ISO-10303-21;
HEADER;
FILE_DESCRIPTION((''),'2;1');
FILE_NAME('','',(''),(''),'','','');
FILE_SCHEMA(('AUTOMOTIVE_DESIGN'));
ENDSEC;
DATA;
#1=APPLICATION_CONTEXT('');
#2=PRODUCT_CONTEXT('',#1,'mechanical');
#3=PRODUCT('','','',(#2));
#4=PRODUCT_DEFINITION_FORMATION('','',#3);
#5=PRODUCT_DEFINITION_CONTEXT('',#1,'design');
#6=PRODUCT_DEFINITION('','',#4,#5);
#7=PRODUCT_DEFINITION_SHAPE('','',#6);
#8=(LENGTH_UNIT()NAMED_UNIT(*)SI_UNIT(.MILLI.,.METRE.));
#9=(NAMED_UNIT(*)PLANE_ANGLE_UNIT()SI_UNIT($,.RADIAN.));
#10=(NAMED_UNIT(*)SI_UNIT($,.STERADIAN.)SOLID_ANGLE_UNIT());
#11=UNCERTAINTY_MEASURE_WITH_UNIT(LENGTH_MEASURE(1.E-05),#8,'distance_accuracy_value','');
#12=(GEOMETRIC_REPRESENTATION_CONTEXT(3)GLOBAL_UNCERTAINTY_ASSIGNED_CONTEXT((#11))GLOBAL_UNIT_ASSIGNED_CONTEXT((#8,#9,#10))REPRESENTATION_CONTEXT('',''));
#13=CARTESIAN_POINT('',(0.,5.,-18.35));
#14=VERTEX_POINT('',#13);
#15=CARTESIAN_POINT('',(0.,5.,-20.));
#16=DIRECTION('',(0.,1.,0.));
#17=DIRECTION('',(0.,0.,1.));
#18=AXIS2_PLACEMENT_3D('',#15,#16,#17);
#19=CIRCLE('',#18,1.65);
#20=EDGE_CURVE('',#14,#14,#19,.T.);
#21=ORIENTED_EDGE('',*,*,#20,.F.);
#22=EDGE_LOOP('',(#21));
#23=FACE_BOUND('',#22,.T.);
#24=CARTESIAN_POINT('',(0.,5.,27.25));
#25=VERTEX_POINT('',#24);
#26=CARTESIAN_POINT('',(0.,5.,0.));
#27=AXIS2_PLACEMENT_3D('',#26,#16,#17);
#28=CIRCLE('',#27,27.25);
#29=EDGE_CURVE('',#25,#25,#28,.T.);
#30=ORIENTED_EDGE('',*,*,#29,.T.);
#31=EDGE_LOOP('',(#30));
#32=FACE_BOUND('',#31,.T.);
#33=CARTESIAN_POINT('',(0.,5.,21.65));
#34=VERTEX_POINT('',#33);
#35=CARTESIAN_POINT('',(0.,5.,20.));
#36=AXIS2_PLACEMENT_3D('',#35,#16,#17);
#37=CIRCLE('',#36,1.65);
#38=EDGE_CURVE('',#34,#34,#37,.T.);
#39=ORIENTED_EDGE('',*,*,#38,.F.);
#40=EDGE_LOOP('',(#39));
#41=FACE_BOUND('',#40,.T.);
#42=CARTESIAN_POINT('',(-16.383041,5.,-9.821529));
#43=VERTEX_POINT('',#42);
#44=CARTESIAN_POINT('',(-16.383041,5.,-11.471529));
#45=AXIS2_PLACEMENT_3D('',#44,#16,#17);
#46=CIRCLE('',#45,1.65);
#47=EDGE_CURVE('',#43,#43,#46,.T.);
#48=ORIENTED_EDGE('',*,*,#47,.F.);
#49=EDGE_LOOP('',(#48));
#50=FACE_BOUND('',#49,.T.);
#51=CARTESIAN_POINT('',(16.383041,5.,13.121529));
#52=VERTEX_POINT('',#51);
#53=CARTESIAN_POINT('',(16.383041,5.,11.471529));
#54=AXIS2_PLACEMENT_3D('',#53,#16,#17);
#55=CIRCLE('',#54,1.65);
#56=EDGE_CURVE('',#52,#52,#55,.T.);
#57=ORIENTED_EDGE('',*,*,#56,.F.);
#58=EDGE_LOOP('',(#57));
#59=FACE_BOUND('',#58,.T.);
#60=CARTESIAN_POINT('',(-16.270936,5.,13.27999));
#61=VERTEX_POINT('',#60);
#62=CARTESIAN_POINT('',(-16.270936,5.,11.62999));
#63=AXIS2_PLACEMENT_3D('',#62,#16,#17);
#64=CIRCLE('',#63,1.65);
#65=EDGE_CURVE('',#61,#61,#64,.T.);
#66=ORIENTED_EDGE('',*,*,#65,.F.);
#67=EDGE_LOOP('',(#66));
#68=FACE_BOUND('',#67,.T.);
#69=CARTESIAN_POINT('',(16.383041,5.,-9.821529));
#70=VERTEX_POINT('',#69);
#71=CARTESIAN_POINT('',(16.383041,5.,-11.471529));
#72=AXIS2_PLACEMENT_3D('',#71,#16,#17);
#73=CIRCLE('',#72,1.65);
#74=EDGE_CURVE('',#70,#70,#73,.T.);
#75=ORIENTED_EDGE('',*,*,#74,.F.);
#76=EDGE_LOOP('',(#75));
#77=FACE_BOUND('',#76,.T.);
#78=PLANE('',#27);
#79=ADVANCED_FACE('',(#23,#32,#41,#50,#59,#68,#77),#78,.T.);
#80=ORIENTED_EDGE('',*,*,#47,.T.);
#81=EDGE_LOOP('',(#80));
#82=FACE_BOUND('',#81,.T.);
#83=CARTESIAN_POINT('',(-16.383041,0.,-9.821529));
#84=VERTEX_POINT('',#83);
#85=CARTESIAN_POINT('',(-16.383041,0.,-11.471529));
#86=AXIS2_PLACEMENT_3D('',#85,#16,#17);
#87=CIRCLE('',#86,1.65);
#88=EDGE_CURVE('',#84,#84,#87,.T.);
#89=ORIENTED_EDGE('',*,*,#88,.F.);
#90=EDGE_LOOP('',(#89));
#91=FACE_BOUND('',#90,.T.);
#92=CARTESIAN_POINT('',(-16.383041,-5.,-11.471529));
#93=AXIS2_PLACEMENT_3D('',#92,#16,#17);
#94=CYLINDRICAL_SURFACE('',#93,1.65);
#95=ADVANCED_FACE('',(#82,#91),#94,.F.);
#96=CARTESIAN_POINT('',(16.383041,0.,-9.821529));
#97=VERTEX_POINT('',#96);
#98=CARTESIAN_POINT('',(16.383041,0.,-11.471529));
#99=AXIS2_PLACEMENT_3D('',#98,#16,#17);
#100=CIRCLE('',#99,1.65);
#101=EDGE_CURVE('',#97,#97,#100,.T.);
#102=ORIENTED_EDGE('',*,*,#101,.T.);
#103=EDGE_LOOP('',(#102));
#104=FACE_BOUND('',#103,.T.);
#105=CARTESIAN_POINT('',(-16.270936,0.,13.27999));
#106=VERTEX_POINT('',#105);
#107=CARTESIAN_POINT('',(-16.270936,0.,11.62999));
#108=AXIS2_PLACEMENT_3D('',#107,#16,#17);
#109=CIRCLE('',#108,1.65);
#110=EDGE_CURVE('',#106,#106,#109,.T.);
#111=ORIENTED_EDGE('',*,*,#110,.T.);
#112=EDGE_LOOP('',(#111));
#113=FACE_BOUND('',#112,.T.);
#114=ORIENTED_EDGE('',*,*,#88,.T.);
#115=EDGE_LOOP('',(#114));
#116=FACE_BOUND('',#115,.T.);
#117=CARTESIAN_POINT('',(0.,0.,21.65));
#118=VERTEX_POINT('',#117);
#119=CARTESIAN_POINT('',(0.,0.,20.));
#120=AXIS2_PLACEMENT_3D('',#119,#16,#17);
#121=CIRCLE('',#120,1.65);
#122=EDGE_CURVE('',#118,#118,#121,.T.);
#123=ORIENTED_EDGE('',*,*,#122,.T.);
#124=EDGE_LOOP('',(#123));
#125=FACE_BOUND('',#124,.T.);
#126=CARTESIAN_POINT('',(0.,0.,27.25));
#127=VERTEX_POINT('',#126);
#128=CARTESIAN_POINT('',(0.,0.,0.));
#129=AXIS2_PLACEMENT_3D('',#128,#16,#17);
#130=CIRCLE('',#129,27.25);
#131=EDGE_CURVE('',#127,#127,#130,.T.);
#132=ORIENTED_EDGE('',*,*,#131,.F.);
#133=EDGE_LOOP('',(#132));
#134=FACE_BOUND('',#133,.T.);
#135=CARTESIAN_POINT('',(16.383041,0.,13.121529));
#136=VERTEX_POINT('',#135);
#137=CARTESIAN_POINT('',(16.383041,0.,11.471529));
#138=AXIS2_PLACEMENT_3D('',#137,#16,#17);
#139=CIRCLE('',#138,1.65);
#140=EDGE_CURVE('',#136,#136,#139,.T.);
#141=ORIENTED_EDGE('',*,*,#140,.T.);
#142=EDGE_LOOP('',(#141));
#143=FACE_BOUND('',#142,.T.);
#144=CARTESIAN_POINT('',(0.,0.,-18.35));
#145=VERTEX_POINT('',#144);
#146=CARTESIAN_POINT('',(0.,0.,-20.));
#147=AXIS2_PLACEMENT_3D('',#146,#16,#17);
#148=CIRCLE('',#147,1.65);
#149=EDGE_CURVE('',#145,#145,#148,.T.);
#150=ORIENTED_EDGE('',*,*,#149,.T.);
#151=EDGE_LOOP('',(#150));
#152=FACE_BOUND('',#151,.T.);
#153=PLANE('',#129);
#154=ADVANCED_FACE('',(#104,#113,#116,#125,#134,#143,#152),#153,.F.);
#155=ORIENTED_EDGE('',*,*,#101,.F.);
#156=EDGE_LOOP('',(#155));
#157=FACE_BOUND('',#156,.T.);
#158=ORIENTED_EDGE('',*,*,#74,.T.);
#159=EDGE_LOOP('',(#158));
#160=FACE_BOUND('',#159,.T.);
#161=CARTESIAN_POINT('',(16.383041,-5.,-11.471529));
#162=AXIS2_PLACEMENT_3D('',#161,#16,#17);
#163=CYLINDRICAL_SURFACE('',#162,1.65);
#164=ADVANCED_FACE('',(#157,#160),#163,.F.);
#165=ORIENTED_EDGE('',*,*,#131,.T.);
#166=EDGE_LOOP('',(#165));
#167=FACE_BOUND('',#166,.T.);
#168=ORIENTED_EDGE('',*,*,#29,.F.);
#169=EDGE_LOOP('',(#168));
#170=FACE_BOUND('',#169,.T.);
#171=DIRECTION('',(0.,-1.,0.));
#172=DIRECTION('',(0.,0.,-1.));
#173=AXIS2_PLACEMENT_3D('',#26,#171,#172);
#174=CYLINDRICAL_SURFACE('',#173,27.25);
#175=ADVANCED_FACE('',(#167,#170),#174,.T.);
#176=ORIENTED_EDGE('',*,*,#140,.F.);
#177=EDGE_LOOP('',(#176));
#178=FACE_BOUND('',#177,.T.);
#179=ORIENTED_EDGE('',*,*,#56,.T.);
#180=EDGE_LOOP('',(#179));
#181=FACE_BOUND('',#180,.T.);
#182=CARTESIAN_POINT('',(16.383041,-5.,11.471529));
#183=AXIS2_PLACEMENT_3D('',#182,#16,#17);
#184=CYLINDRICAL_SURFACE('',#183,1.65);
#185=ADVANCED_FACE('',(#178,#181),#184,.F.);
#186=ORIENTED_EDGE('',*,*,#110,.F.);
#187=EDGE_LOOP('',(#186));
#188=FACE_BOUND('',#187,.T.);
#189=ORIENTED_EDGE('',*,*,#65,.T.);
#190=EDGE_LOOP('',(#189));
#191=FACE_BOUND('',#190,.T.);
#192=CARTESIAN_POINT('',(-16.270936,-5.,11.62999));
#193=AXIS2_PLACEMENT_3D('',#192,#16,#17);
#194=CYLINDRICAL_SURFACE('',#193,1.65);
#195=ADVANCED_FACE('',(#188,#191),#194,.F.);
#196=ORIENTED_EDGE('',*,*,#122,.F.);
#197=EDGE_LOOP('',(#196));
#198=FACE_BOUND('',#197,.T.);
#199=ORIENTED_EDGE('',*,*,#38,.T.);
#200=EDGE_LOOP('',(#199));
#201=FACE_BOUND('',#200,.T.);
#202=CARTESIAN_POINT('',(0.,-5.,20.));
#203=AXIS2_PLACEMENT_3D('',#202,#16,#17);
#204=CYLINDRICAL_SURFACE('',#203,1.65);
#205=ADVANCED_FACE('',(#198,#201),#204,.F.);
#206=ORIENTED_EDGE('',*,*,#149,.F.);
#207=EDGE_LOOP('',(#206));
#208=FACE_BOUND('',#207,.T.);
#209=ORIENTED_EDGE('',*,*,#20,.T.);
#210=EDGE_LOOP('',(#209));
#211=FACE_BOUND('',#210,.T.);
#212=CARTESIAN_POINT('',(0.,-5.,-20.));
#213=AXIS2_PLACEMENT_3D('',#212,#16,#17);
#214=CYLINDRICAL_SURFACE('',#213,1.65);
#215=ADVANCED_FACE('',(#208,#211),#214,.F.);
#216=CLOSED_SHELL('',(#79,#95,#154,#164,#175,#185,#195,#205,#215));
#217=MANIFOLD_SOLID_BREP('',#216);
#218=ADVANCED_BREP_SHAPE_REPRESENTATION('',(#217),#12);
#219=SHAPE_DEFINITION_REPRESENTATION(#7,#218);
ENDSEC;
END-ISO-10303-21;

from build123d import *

# Parameters (mm, degrees)
SKETCH1_R           = 27.25
BOSS_EXTRUDE1_DEPTH = 5
SKETCH2_R           = 1.65
CUT_EXTRUDE1_DEPTH  = 10


with BuildPart() as part:
    # Sketch1 → Boss-Extrude1 (new body)
    with BuildSketch(Plane(origin=(0, 0, 0), x_dir=(1, 0, 0), z_dir=(0, 1, 0))):
        with Locations(Location((0, 0, 0), (0, 0, 270))):
            Circle(SKETCH1_R)
    extrude(amount=BOSS_EXTRUDE1_DEPTH)

    # Sketch2 → Cut-Extrude1 (cut)
    with BuildSketch(Plane(origin=(0, 5, 0), x_dir=(1, 0, 0), z_dir=(0, 1, 0))):
        with Locations(Location((0, 20, 0), (0, 0, 270))):
            Circle(SKETCH2_R)
        with Locations(Location((-16.383040886, 11.471528727, 0), (0, 0, 270))):
            Circle(SKETCH2_R)
        with Locations(Location((16.383040886, 11.471528727, 0), (0, 0, 270))):
            Circle(SKETCH2_R)
        with Locations(Location((16.383040886, -11.471528727, 0), (0, 0, 270))):
            Circle(SKETCH2_R)
        with Locations(Location((0, -20, 0), (0, 0, 270))):
            Circle(SKETCH2_R)
        with Locations(Location((-16.27093552, -11.629989565, 0), (0, 0, 270))):
            Circle(SKETCH2_R)
    extrude(amount=-CUT_EXTRUDE1_DEPTH, mode=Mode.SUBTRACT)


solid = part.part
